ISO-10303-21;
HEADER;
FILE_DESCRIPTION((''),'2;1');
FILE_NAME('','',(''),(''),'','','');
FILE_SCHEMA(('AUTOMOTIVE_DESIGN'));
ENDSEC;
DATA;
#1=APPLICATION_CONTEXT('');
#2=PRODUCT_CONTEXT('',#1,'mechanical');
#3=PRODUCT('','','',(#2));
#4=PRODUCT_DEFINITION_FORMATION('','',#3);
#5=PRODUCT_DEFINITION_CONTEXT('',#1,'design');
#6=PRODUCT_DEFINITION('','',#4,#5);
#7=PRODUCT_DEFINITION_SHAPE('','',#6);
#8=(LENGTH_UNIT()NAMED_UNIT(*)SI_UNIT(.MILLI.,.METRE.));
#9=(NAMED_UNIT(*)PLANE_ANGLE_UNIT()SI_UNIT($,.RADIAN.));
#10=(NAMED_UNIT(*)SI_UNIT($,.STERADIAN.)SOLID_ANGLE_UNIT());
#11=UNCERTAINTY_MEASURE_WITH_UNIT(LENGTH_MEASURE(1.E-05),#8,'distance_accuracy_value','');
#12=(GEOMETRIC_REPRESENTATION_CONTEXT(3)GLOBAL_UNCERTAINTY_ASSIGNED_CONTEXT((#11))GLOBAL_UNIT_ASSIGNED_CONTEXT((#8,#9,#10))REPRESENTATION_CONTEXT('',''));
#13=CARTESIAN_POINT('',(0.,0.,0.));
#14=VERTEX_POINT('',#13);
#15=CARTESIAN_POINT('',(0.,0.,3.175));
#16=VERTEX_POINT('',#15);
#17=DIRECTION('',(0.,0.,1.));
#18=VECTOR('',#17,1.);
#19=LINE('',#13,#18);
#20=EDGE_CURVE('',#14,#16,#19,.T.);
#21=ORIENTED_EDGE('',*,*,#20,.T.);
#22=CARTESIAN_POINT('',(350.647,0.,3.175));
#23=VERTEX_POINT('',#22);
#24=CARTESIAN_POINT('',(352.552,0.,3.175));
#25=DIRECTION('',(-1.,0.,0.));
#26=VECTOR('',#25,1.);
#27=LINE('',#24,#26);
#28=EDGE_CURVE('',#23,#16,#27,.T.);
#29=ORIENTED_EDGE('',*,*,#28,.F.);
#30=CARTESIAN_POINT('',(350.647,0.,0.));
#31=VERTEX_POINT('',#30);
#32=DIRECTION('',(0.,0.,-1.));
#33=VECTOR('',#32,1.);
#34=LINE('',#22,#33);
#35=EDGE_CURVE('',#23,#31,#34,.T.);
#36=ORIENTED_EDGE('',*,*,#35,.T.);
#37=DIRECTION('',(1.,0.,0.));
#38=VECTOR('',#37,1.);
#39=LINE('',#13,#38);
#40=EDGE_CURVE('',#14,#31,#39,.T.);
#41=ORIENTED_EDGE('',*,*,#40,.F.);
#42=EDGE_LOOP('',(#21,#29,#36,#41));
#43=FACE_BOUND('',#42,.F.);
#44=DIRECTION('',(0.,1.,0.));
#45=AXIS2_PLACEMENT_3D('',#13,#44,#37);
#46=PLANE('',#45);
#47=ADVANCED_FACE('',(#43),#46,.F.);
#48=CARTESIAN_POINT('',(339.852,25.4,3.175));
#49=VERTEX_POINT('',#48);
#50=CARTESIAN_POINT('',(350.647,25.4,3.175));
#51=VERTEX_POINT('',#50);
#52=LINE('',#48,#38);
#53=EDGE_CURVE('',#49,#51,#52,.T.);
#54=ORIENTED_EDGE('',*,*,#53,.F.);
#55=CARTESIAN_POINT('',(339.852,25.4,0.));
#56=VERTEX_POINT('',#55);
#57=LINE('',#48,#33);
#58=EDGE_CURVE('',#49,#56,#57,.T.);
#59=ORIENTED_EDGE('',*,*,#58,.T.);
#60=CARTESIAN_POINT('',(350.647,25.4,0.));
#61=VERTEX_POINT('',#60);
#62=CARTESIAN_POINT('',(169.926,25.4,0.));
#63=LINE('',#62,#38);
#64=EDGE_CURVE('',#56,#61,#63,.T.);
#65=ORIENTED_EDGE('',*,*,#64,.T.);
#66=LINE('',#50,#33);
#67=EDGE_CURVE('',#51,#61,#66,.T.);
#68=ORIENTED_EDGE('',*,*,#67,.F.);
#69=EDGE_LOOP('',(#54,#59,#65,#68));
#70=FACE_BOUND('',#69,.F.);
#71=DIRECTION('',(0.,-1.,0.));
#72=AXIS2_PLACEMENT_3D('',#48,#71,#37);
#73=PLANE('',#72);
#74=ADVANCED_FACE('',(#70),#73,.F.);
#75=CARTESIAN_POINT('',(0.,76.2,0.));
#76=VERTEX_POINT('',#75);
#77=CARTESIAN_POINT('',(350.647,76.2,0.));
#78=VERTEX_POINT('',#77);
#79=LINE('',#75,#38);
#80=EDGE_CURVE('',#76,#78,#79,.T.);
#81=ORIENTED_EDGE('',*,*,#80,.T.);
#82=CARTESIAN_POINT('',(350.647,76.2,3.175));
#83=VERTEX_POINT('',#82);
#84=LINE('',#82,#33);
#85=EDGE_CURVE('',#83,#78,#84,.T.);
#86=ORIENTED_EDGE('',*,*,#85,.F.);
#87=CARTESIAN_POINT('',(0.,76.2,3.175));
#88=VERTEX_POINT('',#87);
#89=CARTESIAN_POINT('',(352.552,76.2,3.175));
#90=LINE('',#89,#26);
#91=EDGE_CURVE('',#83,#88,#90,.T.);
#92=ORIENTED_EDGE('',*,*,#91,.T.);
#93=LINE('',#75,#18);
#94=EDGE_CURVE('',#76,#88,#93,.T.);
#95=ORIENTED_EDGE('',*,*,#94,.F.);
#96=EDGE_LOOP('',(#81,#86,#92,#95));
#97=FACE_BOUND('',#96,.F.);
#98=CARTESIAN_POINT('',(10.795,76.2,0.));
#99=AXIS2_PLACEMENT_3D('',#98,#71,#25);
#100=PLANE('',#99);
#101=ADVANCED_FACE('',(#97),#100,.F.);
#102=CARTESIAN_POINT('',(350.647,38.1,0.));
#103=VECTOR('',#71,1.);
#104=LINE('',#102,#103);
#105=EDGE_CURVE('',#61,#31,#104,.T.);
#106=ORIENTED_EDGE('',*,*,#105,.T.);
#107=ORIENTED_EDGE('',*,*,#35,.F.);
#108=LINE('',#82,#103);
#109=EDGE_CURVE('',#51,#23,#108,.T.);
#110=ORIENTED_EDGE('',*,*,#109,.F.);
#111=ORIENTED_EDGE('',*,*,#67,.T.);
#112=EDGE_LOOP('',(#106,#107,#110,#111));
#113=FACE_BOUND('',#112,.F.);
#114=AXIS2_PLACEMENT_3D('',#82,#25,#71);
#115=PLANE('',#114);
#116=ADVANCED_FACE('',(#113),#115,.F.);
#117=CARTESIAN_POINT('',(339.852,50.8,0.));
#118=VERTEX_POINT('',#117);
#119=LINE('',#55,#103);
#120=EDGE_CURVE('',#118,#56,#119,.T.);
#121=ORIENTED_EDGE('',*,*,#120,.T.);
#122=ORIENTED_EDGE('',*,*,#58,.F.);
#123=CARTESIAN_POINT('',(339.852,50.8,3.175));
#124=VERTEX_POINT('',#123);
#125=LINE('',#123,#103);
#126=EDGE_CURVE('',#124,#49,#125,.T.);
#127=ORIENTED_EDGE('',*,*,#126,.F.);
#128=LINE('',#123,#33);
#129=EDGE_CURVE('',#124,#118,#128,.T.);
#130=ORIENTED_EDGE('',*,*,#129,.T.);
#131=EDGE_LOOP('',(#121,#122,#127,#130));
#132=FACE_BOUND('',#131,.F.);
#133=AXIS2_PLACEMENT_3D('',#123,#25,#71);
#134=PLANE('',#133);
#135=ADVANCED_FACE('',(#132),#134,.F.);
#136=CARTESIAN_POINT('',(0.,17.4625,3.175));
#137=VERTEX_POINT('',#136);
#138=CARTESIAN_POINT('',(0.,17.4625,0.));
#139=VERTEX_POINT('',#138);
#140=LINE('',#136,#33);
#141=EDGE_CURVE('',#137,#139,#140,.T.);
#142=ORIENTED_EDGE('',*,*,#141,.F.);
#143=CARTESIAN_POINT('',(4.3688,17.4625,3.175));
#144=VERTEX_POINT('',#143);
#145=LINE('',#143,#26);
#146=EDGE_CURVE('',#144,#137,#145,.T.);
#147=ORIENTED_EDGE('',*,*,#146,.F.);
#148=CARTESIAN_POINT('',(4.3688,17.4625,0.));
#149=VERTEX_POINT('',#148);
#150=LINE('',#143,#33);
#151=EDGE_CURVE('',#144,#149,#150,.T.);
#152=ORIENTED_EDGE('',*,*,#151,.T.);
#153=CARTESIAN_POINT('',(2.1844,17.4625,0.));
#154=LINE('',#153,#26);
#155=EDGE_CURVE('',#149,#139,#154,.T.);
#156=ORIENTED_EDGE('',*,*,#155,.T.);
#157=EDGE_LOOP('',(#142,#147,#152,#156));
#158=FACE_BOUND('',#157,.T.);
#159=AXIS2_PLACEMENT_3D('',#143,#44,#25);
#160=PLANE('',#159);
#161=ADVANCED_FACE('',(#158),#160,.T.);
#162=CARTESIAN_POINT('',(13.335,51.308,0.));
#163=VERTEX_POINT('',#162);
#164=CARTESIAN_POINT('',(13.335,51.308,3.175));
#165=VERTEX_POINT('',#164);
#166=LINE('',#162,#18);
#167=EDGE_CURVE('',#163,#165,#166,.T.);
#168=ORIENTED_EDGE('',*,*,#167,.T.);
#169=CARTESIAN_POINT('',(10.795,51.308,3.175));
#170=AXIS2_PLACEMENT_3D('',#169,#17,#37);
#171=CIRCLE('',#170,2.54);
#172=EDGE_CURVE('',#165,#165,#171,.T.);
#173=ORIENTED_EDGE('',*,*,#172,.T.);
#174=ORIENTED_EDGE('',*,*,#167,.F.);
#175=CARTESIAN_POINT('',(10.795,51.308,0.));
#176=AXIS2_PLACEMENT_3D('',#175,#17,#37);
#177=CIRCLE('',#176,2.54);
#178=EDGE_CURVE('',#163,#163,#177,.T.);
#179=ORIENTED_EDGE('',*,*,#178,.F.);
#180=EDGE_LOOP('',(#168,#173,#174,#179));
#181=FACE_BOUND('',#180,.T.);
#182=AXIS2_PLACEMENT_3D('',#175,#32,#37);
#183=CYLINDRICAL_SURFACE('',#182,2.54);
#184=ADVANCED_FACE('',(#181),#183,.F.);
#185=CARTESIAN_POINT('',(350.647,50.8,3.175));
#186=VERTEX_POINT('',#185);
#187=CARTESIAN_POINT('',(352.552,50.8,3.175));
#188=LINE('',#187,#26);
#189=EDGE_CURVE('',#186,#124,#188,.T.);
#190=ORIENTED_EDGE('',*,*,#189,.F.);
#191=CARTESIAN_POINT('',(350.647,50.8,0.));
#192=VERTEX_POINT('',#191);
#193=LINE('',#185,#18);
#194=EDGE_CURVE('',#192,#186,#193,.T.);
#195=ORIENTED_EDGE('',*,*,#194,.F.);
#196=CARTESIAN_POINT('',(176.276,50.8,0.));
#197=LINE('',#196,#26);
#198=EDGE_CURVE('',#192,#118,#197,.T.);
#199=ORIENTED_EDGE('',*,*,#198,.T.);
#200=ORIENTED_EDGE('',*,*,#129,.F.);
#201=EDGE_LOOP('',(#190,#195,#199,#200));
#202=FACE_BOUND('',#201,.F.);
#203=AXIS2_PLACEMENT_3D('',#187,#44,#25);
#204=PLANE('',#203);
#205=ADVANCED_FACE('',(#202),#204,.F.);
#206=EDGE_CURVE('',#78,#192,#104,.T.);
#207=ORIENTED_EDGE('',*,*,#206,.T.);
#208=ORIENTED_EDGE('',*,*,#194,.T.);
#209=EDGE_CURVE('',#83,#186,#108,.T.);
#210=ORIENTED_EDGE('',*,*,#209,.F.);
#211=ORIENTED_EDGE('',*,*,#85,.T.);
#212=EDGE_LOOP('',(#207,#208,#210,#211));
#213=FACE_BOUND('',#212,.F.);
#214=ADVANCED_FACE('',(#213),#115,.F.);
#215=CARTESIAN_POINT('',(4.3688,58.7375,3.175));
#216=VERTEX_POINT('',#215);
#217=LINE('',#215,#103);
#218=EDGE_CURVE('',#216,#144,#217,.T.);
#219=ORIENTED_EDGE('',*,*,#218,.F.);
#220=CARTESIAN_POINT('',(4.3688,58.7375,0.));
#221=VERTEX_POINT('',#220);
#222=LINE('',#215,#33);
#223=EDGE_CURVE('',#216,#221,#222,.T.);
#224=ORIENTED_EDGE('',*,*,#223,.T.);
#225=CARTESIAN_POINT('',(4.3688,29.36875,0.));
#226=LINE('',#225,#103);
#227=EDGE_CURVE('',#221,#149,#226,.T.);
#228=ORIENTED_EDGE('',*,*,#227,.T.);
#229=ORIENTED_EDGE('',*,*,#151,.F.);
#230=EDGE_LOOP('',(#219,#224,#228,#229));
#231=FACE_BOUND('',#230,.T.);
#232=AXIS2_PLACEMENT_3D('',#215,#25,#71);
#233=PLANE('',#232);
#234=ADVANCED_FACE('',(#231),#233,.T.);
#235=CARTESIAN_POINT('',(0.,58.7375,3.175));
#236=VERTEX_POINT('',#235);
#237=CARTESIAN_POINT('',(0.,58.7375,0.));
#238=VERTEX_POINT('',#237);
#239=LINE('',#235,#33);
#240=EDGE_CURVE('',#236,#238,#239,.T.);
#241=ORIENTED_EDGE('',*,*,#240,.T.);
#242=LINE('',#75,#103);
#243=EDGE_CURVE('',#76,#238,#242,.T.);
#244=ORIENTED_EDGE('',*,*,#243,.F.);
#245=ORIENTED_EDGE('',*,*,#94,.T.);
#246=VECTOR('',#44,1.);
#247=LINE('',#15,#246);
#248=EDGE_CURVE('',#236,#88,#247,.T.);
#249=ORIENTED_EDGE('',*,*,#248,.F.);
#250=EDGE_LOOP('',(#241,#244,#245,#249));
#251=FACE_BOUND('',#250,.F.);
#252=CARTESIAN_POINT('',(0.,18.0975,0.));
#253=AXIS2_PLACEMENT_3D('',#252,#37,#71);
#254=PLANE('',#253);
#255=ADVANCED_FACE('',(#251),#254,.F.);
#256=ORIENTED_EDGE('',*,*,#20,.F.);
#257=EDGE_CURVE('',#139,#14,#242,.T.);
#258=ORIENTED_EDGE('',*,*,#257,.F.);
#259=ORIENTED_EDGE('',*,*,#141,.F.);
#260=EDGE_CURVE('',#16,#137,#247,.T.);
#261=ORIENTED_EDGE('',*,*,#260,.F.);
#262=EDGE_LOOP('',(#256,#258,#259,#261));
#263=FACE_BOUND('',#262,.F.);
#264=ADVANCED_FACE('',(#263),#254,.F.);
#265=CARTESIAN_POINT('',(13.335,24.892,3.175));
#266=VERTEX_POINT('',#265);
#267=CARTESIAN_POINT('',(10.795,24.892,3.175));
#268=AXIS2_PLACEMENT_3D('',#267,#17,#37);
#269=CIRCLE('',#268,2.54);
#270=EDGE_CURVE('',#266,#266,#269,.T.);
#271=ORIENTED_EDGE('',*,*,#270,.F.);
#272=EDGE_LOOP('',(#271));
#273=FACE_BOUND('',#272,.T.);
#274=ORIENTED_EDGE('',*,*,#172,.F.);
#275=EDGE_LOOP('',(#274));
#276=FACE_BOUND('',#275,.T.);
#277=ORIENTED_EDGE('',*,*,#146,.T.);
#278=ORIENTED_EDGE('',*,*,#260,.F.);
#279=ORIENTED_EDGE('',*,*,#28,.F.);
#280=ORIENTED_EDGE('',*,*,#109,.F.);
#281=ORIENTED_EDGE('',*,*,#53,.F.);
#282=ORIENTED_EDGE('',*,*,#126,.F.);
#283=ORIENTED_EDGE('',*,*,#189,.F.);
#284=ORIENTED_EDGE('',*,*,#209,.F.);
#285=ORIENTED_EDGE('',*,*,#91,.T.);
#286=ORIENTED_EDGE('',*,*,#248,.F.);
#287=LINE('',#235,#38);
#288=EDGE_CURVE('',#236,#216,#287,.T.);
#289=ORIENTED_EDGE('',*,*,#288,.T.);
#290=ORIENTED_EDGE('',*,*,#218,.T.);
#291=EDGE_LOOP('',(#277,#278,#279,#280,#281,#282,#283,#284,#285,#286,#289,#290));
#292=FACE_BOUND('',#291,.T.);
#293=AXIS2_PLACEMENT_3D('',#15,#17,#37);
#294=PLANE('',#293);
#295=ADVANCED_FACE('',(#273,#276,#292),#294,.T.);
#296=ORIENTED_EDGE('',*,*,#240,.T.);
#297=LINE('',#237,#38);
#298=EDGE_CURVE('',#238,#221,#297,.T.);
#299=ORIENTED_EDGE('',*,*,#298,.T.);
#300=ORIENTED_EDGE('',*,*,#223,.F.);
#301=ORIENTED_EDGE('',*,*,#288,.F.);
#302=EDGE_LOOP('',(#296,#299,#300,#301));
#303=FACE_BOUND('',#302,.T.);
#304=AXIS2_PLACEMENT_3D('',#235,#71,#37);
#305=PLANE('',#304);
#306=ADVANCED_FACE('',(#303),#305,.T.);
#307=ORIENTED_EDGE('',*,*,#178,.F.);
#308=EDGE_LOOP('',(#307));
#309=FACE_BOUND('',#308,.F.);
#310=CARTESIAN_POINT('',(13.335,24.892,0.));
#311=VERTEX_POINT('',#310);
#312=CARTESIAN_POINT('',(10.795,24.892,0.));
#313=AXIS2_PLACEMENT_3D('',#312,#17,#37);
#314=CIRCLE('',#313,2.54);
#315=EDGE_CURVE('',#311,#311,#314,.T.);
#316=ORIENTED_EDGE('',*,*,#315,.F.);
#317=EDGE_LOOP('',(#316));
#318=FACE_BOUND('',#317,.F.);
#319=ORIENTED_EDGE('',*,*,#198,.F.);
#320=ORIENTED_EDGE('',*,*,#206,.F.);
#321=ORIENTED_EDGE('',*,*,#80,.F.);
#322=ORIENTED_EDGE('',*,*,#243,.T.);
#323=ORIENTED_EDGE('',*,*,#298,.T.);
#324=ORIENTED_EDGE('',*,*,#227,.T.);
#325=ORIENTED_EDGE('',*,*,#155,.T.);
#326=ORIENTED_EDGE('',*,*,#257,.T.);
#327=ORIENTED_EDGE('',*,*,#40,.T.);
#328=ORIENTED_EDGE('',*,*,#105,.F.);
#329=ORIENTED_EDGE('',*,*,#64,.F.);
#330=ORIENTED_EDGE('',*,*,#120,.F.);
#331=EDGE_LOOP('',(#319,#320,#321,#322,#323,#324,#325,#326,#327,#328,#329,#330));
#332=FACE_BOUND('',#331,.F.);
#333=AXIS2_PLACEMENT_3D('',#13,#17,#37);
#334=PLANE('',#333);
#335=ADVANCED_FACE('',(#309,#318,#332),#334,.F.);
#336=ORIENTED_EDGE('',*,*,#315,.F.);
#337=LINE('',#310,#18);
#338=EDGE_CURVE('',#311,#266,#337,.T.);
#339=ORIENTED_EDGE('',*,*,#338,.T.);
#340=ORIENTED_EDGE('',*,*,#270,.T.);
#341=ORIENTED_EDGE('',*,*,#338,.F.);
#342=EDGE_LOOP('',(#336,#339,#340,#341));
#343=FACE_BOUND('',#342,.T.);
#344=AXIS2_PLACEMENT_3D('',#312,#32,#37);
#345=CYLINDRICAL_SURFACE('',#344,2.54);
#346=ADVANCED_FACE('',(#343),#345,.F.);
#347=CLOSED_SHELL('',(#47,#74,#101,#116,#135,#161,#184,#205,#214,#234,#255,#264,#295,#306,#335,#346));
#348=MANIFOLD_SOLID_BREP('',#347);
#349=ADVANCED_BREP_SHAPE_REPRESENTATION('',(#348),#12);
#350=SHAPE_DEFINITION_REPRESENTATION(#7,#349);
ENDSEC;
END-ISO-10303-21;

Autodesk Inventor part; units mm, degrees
ref_plane "YZ Plane" through (0, 0, 0) normal (1, 0, 0) x (0, 1, 0)
ref_plane "XZ Plane" through (0, 0, 0) normal (0, 1, 0) x (-1, 0, 0)
ref_plane "XY Plane" through (0, 0, 0) normal (0, 0, 1) x (1, 0, 0)
sketch "Sketch1" plane through (0, 0, 0) normal (0, 0, 1) x (1, 0, 0)
  line L0 (0, 0) -> (352.552, 0)
  line L1 (352.552, 0) -> (352.552, 76.2)
  line L2 (352.552, 76.2) -> (0, 76.2)
  line L3 (0, 76.2) -> (0, 0)
  circle A0 centre (10.795, 51.308) radius 2.54
  circle A1 centre (10.795, 24.892) radius 2.54
  line L4 (102.1122, 0) -> (121.213, 0)
  line L5 (102.1122, 0) -> (83.0114, 0)
  line L6 (0, 76.2) -> (10.795, 76.2)
  line L7 (0, 63.0428) -> (0, 24.8412)
  line L8 (0, 76.2) -> (10.795, 76.2)
  line L9 (3.81, 38.1) -> (3.81, 58.1025)
  line L10 (3.81, 58.1025) -> (0, 58.1025)
  line L11 (3.81, 38.1) -> (3.81, 18.0975)
  line L12 (3.81, 18.0975) -> (0, 18.0975)
  line L13 (3.81, 38.1) -> (3.81, 58.1025)
  line L14 (0, 58.1025) -> (3.81, 58.1025)
  line L15 (3.81, 58.1025) -> (3.81, 18.0975)
  line L16 (3.81, 18.0975) -> (0, 18.0975)
  line L17 (0, 18.0975) -> (0, 58.1025)
  dimension "d0" = 352.552
  dimension "d1" = 76.2
  dimension "d15" = 20.0025
extrude "Extrusion1" add sketch "Sketch1" along normal blind 3.175
sketch "Sketch2" plane through (0, 0, 3.175) normal (0, 0, 1) x (1, 0, 0)
  line L0 (352.552, 76.2) -> (0, 76.2) projected
  line L1 (352.552, 0) -> (352.552, 76.2) projected
  line L2 (352.552, 50.8) -> (339.852, 50.8)
  line L3 (339.852, 50.8) -> (339.852, 25.4)
  line L4 (339.852, 25.4) -> (352.552, 25.4)
  line L5 (352.552, 25.4) -> (352.552, 50.8)
  point P0 (0, 0)
  dimension "d6" = 25.4
  dimension "d7" = 12.7
  dimension "d8" = 25.4
extrude "Extrusion2" cut sketch "Sketch2" against normal blind 25.4
sketch "Sketch3" plane through (0, 0, 3.175) normal (0, 0, 1) x (1, 0, 0)
  point P0 (0, 0)
sketch "Sketch4" plane through (0, 0, 3.175) normal (0, 0, 1) x (1, 0, 0)
  point P0 (0, 0)
sketch "Sketch5" plane through (0, 0, 3.175) normal (0, 0, 1) x (1, 0, 0)
  circle A0 centre (10.795, 51.308) radius 2.54 projected
  circle A1 centre (10.795, 24.892) radius 2.54 projected
  line L0 (0, 76.2) -> (0, 0) projected
  line L1 (0, 38.1) -> (0, 58.7375)
  line L2 (0, 58.7375) -> (4.3688, 58.7375)
  line L3 (4.3688, 58.7375) -> (4.3688, 17.4625)
  line L4 (4.3688, 17.4625) -> (0, 17.4625)
  line L5 (0, 17.4625) -> (0, 38.1)
  point P0 (0, 17.4625)
  dimension "d16" = 20.6375
  dimension "d17" = 4.3688
extrude "Extrusion3" cut sketch "Sketch5" against normal blind 25.4 contours L2 L3 L4 L0
sketch "Sketch6" plane through (0, 0, 3.175) normal (0, 0, 1) x (1, 0, 0)
  line L0 (352.552, 50.8) -> (352.552, 76.2) projected
  line L1 (0, 0) -> (352.552, 0) projected
  line L2 (352.552, 76.2) -> (350.647, 76.2)
  line L3 (350.647, 76.2) -> (350.647, 0)
  line L4 (350.647, 0) -> (352.552, 0)
  line L5 (352.552, 0) -> (352.552, 76.2)
  point P0 (352.552, 0)
  dimension "d21" = 1.905
extrude "Extrusion4" cut sketch "Sketch6" against normal blind 25.4
properties part number "220310 Back Cover"
